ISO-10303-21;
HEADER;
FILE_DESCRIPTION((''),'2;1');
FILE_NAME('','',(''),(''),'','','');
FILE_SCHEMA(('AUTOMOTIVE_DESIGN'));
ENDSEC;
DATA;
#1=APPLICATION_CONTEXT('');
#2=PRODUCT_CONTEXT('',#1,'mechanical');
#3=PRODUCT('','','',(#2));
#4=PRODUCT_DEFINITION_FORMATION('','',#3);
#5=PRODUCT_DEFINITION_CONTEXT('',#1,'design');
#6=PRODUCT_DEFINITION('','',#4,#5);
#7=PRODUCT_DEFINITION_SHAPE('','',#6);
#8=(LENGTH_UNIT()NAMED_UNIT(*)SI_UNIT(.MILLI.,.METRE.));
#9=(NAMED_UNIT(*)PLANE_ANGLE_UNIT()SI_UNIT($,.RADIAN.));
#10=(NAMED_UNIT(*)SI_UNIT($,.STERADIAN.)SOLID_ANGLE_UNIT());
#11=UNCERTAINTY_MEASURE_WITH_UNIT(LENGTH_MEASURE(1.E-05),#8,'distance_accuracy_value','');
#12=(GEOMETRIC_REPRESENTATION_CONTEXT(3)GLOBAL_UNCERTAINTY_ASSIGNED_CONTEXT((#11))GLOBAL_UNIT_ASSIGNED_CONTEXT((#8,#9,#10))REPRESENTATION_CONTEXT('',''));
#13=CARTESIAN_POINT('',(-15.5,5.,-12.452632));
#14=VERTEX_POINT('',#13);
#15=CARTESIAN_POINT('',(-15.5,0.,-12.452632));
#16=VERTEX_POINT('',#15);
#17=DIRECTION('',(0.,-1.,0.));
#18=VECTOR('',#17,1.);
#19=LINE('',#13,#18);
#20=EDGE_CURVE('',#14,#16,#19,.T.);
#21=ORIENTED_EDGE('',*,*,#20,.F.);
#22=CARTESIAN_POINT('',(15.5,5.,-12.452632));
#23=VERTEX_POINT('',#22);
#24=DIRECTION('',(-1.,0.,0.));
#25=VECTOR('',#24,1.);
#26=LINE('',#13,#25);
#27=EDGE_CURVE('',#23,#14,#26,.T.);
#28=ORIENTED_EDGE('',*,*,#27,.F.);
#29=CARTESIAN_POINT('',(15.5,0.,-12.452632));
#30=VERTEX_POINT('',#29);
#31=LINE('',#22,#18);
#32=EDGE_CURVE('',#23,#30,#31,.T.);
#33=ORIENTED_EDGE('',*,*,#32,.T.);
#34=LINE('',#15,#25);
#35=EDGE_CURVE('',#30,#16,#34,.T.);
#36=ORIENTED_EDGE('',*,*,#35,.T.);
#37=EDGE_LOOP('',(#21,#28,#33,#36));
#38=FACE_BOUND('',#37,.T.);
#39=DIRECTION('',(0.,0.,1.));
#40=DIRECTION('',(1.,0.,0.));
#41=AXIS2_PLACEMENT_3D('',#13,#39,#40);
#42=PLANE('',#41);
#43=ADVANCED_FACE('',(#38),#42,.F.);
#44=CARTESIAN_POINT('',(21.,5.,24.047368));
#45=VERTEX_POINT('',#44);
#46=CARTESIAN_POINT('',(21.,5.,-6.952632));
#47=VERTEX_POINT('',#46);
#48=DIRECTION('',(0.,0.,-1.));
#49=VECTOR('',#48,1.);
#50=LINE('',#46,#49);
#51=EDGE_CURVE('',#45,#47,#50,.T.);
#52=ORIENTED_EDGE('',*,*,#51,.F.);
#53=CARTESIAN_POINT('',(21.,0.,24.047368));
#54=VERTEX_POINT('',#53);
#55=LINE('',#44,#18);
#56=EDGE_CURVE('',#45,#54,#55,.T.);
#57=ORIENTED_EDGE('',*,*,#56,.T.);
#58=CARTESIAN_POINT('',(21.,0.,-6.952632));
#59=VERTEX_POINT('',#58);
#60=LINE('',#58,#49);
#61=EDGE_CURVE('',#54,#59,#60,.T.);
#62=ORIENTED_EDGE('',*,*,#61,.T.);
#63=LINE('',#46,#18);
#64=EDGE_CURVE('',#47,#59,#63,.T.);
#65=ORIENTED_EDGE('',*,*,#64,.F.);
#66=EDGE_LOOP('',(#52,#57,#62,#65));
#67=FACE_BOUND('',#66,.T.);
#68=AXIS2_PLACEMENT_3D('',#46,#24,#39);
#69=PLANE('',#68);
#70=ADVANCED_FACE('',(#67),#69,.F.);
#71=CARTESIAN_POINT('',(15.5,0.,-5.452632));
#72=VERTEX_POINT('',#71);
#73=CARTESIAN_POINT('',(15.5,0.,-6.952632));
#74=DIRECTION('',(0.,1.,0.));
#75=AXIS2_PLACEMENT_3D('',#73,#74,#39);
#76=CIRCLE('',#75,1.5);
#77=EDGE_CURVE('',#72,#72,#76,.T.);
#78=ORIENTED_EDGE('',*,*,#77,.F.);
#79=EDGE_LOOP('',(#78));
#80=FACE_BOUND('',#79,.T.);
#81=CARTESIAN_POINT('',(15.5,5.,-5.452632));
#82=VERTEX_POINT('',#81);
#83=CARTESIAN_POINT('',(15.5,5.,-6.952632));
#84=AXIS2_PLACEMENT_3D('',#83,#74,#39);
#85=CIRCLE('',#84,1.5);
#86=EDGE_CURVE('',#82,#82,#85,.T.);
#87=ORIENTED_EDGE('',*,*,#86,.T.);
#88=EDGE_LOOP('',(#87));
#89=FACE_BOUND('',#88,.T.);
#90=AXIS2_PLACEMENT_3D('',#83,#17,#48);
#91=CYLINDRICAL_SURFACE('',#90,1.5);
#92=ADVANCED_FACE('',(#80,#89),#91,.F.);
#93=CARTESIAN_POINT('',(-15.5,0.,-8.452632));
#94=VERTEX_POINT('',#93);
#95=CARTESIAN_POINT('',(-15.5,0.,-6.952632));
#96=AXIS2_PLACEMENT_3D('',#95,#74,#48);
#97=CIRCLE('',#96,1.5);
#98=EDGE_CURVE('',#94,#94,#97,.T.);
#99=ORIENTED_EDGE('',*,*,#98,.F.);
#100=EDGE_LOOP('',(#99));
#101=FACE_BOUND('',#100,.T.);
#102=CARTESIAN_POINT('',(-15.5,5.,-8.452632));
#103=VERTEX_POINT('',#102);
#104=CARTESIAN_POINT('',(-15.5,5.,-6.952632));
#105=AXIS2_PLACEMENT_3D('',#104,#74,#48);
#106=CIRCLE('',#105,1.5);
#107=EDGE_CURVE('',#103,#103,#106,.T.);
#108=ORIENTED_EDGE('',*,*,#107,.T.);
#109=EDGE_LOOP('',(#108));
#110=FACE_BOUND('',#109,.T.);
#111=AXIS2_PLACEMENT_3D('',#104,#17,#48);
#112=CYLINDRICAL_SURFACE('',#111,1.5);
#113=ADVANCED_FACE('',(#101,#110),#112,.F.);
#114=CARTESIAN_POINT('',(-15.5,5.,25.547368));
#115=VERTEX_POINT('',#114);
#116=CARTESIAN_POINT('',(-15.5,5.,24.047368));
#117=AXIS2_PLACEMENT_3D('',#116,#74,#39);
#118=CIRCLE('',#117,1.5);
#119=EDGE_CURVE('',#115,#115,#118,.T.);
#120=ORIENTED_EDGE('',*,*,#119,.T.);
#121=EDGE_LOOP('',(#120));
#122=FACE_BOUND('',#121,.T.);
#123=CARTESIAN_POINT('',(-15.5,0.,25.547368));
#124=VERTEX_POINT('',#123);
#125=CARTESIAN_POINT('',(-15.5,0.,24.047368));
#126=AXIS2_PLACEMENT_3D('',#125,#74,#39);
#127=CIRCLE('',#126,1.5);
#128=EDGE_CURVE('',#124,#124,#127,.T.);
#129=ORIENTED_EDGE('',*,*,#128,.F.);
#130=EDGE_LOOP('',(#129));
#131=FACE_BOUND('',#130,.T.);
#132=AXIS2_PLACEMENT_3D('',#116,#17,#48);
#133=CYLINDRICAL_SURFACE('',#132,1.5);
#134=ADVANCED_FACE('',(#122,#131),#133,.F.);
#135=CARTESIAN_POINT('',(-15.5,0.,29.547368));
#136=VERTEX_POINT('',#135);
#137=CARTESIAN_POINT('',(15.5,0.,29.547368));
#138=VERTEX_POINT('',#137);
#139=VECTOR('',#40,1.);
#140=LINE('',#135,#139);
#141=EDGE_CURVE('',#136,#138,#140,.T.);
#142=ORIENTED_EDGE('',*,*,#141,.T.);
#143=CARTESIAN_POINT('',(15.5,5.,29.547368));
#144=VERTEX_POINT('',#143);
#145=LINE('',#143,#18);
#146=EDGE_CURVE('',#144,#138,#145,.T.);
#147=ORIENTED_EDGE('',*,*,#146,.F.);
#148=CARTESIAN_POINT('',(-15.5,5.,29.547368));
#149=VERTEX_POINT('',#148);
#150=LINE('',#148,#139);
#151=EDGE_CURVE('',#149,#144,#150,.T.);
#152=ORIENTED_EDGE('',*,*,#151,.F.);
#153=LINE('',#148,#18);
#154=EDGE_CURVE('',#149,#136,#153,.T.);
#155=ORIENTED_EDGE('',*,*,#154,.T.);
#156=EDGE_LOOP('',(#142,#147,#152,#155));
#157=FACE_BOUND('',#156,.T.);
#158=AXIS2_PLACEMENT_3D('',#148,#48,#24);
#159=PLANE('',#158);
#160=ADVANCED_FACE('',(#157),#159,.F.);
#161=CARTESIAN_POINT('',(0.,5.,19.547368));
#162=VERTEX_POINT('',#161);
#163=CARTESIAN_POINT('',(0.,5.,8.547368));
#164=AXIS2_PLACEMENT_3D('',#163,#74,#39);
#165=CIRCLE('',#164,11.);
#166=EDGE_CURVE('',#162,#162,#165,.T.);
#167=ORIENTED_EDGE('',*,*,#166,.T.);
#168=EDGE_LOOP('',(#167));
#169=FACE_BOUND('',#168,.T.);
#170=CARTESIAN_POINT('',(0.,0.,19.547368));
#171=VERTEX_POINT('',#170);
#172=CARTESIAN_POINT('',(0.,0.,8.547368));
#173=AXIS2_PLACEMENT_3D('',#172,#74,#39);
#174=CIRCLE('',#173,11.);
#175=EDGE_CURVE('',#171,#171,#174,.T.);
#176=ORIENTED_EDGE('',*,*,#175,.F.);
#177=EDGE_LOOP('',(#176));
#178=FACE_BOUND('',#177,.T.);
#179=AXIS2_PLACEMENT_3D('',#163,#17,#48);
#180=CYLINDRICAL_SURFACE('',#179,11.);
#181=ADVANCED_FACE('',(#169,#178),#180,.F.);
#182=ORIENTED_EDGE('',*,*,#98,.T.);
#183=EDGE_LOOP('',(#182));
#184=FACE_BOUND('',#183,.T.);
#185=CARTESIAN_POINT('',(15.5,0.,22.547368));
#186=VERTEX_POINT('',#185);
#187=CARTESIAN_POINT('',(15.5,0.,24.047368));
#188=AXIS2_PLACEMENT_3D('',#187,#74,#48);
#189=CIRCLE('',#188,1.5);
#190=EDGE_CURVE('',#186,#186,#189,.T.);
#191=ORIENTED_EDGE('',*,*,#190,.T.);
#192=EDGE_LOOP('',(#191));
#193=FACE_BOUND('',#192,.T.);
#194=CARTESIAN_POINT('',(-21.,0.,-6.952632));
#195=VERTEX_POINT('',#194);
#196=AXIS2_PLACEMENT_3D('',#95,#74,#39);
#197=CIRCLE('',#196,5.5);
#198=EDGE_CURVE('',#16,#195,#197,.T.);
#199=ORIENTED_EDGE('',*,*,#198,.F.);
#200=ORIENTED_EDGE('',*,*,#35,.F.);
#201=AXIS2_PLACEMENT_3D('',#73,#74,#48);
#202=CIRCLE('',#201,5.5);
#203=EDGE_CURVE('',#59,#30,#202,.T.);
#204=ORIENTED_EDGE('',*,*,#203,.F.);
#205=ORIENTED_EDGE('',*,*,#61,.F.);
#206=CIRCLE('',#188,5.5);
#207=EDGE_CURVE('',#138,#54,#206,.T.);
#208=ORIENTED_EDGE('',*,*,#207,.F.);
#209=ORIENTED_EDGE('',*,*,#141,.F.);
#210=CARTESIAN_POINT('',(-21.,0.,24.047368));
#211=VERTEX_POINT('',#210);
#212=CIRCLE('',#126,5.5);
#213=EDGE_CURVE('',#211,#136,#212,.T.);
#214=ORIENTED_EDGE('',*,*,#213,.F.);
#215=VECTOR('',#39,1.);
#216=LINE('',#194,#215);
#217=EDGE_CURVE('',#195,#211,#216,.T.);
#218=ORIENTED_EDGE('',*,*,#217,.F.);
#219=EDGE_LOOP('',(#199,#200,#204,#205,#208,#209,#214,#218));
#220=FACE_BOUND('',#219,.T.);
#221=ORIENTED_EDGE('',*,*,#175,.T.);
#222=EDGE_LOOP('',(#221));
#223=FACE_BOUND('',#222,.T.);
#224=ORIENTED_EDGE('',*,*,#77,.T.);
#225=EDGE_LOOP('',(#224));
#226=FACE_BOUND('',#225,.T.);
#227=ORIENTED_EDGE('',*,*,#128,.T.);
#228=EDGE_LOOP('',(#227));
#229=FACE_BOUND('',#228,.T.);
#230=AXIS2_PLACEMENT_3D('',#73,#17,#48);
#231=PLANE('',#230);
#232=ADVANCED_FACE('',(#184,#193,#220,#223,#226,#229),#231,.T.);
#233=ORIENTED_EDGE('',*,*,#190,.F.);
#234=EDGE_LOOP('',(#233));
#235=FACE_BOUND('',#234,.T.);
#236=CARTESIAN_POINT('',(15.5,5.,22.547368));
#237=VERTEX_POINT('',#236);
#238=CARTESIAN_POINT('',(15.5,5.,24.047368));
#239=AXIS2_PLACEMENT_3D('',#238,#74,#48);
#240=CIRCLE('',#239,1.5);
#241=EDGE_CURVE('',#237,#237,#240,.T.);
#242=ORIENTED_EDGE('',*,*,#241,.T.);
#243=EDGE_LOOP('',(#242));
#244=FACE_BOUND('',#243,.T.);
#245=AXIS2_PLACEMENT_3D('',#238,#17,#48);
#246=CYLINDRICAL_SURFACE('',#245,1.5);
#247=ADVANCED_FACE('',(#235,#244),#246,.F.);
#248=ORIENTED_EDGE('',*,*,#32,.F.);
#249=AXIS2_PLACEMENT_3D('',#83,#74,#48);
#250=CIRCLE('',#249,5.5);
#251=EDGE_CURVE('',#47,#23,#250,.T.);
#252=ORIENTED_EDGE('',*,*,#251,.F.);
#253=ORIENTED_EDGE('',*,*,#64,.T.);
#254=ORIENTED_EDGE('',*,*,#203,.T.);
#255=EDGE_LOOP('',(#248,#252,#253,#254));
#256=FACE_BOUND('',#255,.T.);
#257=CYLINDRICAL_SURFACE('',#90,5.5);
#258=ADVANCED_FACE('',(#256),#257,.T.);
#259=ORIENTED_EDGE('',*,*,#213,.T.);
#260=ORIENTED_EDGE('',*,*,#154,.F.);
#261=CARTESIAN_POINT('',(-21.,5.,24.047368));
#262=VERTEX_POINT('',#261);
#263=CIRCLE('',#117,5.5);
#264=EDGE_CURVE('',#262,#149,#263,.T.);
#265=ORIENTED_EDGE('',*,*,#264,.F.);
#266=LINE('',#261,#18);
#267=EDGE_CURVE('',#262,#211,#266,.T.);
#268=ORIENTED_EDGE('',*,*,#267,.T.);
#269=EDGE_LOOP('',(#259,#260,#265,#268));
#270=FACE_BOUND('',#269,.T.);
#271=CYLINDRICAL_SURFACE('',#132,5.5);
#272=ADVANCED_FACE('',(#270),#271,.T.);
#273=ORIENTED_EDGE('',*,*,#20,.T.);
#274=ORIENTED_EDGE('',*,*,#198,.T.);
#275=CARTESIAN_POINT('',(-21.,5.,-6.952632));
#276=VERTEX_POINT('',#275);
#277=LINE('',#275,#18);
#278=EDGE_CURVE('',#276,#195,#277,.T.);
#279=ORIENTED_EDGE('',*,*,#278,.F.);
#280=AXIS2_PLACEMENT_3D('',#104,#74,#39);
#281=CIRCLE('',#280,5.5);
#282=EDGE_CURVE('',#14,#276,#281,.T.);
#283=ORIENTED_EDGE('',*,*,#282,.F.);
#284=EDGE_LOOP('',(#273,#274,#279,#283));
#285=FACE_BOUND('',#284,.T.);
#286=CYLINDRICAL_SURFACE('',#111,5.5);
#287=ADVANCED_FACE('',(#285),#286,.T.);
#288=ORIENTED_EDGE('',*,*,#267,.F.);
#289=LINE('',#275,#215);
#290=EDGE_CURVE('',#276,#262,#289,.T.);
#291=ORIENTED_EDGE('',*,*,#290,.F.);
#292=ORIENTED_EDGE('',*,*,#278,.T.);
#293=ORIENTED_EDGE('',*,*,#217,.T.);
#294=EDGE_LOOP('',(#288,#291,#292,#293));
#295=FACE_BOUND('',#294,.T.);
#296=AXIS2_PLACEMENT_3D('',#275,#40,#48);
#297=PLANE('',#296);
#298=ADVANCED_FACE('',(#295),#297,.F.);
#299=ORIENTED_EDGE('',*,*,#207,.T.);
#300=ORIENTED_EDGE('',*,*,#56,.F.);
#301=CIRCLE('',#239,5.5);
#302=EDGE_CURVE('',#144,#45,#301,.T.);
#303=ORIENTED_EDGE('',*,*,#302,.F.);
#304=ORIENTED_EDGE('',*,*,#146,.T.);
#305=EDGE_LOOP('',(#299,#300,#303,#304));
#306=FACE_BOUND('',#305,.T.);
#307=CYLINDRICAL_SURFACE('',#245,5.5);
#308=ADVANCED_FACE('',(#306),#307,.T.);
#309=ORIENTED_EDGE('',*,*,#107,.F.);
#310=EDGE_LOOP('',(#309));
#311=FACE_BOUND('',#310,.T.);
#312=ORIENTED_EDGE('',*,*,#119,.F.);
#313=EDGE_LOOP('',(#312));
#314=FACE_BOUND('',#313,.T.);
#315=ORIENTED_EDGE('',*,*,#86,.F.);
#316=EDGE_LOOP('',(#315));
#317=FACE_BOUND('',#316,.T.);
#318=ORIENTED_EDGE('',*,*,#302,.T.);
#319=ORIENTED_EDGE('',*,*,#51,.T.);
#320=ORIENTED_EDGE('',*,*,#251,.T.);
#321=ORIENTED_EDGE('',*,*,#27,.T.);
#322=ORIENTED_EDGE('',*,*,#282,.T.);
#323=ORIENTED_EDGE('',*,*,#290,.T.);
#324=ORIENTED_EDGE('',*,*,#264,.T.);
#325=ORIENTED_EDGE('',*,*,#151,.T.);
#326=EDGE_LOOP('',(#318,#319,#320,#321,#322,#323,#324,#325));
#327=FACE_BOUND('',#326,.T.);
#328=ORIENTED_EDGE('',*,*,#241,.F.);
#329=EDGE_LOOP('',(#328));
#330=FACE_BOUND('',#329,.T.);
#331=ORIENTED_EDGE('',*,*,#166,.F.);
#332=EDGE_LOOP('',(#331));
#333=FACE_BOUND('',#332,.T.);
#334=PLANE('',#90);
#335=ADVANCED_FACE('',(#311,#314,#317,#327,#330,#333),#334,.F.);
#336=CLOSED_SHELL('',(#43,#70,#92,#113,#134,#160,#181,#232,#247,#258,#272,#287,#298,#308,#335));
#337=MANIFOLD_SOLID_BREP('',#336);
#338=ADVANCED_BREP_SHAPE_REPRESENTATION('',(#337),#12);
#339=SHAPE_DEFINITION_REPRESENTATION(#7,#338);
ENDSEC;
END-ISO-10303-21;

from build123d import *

# Parameters (mm, degrees)
SKETCH_1_R      = 1.5
SKETCH_1_R_2    = 11
EXTRUDE_1_DEPTH = 5


with BuildPart() as part:
    # 草圖1 → 填料-伸長1 (new body)
    with BuildSketch(Plane(origin=(0, 0, 0), x_dir=(1, 0, 0), z_dir=(0, 1, 0))):
        with BuildLine():
            Line((-15.5, 12.452631579), (15.5, 12.452631579))
            ThreePointArc((15.5, 12.452631579), (19.389087297, 10.841718875), (21, 6.952631579))
            Line((21, 6.952631579), (21, -24.047368421))
            ThreePointArc((21, -24.047368421), (19.389087297, -27.936455718), (15.5, -29.547368421))
            Line((15.5, -29.547368421), (-15.5, -29.547368421))
            ThreePointArc((-15.5, -29.547368421), (-19.389087297, -27.936455718), (-21, -24.047368421))
            Line((-21, -24.047368421), (-21, 6.952631579))
            ThreePointArc((-21, 6.952631579), (-19.389087297, 10.841718875), (-15.5, 12.452631579))
        make_face()
        with Locations(Location((15.5, 6.952631579, 0), (0, 0, 270))):
            Circle(SKETCH_1_R, mode=Mode.SUBTRACT)
        with Locations(Location((15.5, -24.047368421, 0), (0, 0, 90))):
            Circle(SKETCH_1_R, mode=Mode.SUBTRACT)
        with Locations(Location((-15.5, 6.952631579, 0), (0, 0, 90))):
            Circle(SKETCH_1_R, mode=Mode.SUBTRACT)
        with Locations(Location((-15.5, -24.047368421, 0), (0, 0, 270))):
            Circle(SKETCH_1_R, mode=Mode.SUBTRACT)
        with Locations(Location((0, -8.547368421, 0), (0, 0, 270))):
            Circle(SKETCH_1_R_2, mode=Mode.SUBTRACT)
    extrude(amount=EXTRUDE_1_DEPTH)


solid = part.part
